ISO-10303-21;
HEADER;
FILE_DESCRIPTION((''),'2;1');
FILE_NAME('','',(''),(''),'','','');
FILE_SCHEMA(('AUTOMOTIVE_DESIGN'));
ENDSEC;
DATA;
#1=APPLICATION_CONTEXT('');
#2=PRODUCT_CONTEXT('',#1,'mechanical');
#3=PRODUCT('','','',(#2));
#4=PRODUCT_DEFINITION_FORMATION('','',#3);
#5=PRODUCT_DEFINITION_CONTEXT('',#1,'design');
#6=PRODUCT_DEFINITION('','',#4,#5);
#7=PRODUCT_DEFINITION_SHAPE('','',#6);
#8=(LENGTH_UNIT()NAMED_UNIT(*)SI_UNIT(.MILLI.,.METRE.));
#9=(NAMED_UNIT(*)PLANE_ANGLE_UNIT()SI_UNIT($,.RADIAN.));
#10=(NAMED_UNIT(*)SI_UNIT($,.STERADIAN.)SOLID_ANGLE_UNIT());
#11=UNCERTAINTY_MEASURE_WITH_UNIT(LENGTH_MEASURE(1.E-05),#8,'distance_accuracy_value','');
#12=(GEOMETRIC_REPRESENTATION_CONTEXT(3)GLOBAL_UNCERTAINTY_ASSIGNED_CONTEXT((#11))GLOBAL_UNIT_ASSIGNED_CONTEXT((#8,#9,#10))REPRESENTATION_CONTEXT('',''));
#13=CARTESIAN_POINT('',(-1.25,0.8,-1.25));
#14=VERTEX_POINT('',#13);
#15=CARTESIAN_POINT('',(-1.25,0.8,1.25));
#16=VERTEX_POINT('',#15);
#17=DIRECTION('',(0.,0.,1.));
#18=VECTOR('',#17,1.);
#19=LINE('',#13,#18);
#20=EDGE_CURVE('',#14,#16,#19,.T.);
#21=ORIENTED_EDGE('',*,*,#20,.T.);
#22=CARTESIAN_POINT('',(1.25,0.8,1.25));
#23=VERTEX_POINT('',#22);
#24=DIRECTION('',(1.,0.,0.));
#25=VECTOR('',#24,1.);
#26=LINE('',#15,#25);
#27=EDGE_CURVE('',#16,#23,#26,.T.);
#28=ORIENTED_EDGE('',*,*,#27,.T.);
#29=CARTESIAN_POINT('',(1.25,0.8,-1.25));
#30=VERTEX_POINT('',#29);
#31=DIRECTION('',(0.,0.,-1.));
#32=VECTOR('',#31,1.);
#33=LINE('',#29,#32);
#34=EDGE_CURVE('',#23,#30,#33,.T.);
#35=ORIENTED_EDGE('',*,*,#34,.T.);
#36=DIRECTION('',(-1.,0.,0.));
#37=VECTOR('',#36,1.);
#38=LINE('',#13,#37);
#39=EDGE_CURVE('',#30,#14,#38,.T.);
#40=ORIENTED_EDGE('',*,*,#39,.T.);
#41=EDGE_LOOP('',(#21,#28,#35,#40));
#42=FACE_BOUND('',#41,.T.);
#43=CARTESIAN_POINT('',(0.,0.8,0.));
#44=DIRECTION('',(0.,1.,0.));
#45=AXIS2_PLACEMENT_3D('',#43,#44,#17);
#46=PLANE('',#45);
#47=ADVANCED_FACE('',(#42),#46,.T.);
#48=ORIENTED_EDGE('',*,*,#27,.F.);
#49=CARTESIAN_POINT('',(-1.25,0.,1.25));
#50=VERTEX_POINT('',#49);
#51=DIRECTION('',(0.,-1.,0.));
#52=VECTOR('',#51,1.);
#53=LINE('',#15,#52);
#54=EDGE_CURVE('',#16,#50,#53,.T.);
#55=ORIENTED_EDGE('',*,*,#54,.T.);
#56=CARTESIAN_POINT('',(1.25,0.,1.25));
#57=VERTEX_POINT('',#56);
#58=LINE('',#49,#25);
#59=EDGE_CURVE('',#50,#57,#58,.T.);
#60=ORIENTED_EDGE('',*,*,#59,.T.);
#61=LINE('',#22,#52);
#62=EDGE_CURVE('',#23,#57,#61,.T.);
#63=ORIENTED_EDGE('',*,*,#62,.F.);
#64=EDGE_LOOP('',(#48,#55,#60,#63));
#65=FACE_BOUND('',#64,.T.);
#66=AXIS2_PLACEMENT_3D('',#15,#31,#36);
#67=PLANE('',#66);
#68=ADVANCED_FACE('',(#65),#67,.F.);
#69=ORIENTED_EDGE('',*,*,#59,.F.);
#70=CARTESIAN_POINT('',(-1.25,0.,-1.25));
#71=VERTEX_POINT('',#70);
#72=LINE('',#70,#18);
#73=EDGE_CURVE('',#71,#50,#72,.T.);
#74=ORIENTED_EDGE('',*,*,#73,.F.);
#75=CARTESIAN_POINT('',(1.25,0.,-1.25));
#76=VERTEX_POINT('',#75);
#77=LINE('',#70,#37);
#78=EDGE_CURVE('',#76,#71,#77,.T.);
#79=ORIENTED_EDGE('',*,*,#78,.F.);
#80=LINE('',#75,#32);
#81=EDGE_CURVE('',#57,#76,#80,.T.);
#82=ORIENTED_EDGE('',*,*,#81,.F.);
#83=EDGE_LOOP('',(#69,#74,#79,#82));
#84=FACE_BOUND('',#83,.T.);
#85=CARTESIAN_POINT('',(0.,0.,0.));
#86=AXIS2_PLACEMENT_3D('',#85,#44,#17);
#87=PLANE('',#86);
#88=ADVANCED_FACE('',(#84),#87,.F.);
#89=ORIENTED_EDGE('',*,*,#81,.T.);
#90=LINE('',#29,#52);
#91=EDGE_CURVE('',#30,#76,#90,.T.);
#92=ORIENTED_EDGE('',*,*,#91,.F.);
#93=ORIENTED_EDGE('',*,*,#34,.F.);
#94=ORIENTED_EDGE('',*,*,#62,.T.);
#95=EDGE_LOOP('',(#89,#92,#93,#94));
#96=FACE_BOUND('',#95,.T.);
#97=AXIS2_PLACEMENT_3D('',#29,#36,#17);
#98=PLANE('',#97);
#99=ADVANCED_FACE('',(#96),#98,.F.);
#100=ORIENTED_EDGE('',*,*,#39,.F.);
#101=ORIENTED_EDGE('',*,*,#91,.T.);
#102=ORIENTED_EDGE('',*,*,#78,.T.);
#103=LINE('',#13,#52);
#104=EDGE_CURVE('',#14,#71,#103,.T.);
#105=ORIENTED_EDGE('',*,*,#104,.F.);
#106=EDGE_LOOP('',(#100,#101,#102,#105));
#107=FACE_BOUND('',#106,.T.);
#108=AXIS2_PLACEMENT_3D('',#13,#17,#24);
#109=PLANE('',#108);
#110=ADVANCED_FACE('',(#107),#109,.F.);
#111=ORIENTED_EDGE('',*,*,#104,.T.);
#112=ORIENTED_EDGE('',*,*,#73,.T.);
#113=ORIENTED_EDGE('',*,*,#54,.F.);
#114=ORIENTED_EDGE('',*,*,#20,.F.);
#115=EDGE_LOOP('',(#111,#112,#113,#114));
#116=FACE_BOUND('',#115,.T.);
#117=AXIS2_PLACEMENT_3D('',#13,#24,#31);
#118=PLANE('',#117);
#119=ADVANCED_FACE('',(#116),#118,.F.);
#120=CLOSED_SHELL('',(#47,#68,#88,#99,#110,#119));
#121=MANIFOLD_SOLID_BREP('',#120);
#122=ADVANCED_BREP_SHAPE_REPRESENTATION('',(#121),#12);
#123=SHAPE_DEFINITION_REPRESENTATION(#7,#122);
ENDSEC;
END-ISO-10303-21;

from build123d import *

# Parameters (mm, degrees)
BASES_W    = 2.5
BASES_H    = 2.5
BASE_DEPTH = 0.8


with BuildPart() as part:
    # BaseS → Base (new body)
    with BuildSketch(Plane(origin=(0, 0, 0), x_dir=(1, 0, 0), z_dir=(0, 1, 0))):
        Rectangle(BASES_W, BASES_H)
    extrude(amount=BASE_DEPTH)


solid = part.part
